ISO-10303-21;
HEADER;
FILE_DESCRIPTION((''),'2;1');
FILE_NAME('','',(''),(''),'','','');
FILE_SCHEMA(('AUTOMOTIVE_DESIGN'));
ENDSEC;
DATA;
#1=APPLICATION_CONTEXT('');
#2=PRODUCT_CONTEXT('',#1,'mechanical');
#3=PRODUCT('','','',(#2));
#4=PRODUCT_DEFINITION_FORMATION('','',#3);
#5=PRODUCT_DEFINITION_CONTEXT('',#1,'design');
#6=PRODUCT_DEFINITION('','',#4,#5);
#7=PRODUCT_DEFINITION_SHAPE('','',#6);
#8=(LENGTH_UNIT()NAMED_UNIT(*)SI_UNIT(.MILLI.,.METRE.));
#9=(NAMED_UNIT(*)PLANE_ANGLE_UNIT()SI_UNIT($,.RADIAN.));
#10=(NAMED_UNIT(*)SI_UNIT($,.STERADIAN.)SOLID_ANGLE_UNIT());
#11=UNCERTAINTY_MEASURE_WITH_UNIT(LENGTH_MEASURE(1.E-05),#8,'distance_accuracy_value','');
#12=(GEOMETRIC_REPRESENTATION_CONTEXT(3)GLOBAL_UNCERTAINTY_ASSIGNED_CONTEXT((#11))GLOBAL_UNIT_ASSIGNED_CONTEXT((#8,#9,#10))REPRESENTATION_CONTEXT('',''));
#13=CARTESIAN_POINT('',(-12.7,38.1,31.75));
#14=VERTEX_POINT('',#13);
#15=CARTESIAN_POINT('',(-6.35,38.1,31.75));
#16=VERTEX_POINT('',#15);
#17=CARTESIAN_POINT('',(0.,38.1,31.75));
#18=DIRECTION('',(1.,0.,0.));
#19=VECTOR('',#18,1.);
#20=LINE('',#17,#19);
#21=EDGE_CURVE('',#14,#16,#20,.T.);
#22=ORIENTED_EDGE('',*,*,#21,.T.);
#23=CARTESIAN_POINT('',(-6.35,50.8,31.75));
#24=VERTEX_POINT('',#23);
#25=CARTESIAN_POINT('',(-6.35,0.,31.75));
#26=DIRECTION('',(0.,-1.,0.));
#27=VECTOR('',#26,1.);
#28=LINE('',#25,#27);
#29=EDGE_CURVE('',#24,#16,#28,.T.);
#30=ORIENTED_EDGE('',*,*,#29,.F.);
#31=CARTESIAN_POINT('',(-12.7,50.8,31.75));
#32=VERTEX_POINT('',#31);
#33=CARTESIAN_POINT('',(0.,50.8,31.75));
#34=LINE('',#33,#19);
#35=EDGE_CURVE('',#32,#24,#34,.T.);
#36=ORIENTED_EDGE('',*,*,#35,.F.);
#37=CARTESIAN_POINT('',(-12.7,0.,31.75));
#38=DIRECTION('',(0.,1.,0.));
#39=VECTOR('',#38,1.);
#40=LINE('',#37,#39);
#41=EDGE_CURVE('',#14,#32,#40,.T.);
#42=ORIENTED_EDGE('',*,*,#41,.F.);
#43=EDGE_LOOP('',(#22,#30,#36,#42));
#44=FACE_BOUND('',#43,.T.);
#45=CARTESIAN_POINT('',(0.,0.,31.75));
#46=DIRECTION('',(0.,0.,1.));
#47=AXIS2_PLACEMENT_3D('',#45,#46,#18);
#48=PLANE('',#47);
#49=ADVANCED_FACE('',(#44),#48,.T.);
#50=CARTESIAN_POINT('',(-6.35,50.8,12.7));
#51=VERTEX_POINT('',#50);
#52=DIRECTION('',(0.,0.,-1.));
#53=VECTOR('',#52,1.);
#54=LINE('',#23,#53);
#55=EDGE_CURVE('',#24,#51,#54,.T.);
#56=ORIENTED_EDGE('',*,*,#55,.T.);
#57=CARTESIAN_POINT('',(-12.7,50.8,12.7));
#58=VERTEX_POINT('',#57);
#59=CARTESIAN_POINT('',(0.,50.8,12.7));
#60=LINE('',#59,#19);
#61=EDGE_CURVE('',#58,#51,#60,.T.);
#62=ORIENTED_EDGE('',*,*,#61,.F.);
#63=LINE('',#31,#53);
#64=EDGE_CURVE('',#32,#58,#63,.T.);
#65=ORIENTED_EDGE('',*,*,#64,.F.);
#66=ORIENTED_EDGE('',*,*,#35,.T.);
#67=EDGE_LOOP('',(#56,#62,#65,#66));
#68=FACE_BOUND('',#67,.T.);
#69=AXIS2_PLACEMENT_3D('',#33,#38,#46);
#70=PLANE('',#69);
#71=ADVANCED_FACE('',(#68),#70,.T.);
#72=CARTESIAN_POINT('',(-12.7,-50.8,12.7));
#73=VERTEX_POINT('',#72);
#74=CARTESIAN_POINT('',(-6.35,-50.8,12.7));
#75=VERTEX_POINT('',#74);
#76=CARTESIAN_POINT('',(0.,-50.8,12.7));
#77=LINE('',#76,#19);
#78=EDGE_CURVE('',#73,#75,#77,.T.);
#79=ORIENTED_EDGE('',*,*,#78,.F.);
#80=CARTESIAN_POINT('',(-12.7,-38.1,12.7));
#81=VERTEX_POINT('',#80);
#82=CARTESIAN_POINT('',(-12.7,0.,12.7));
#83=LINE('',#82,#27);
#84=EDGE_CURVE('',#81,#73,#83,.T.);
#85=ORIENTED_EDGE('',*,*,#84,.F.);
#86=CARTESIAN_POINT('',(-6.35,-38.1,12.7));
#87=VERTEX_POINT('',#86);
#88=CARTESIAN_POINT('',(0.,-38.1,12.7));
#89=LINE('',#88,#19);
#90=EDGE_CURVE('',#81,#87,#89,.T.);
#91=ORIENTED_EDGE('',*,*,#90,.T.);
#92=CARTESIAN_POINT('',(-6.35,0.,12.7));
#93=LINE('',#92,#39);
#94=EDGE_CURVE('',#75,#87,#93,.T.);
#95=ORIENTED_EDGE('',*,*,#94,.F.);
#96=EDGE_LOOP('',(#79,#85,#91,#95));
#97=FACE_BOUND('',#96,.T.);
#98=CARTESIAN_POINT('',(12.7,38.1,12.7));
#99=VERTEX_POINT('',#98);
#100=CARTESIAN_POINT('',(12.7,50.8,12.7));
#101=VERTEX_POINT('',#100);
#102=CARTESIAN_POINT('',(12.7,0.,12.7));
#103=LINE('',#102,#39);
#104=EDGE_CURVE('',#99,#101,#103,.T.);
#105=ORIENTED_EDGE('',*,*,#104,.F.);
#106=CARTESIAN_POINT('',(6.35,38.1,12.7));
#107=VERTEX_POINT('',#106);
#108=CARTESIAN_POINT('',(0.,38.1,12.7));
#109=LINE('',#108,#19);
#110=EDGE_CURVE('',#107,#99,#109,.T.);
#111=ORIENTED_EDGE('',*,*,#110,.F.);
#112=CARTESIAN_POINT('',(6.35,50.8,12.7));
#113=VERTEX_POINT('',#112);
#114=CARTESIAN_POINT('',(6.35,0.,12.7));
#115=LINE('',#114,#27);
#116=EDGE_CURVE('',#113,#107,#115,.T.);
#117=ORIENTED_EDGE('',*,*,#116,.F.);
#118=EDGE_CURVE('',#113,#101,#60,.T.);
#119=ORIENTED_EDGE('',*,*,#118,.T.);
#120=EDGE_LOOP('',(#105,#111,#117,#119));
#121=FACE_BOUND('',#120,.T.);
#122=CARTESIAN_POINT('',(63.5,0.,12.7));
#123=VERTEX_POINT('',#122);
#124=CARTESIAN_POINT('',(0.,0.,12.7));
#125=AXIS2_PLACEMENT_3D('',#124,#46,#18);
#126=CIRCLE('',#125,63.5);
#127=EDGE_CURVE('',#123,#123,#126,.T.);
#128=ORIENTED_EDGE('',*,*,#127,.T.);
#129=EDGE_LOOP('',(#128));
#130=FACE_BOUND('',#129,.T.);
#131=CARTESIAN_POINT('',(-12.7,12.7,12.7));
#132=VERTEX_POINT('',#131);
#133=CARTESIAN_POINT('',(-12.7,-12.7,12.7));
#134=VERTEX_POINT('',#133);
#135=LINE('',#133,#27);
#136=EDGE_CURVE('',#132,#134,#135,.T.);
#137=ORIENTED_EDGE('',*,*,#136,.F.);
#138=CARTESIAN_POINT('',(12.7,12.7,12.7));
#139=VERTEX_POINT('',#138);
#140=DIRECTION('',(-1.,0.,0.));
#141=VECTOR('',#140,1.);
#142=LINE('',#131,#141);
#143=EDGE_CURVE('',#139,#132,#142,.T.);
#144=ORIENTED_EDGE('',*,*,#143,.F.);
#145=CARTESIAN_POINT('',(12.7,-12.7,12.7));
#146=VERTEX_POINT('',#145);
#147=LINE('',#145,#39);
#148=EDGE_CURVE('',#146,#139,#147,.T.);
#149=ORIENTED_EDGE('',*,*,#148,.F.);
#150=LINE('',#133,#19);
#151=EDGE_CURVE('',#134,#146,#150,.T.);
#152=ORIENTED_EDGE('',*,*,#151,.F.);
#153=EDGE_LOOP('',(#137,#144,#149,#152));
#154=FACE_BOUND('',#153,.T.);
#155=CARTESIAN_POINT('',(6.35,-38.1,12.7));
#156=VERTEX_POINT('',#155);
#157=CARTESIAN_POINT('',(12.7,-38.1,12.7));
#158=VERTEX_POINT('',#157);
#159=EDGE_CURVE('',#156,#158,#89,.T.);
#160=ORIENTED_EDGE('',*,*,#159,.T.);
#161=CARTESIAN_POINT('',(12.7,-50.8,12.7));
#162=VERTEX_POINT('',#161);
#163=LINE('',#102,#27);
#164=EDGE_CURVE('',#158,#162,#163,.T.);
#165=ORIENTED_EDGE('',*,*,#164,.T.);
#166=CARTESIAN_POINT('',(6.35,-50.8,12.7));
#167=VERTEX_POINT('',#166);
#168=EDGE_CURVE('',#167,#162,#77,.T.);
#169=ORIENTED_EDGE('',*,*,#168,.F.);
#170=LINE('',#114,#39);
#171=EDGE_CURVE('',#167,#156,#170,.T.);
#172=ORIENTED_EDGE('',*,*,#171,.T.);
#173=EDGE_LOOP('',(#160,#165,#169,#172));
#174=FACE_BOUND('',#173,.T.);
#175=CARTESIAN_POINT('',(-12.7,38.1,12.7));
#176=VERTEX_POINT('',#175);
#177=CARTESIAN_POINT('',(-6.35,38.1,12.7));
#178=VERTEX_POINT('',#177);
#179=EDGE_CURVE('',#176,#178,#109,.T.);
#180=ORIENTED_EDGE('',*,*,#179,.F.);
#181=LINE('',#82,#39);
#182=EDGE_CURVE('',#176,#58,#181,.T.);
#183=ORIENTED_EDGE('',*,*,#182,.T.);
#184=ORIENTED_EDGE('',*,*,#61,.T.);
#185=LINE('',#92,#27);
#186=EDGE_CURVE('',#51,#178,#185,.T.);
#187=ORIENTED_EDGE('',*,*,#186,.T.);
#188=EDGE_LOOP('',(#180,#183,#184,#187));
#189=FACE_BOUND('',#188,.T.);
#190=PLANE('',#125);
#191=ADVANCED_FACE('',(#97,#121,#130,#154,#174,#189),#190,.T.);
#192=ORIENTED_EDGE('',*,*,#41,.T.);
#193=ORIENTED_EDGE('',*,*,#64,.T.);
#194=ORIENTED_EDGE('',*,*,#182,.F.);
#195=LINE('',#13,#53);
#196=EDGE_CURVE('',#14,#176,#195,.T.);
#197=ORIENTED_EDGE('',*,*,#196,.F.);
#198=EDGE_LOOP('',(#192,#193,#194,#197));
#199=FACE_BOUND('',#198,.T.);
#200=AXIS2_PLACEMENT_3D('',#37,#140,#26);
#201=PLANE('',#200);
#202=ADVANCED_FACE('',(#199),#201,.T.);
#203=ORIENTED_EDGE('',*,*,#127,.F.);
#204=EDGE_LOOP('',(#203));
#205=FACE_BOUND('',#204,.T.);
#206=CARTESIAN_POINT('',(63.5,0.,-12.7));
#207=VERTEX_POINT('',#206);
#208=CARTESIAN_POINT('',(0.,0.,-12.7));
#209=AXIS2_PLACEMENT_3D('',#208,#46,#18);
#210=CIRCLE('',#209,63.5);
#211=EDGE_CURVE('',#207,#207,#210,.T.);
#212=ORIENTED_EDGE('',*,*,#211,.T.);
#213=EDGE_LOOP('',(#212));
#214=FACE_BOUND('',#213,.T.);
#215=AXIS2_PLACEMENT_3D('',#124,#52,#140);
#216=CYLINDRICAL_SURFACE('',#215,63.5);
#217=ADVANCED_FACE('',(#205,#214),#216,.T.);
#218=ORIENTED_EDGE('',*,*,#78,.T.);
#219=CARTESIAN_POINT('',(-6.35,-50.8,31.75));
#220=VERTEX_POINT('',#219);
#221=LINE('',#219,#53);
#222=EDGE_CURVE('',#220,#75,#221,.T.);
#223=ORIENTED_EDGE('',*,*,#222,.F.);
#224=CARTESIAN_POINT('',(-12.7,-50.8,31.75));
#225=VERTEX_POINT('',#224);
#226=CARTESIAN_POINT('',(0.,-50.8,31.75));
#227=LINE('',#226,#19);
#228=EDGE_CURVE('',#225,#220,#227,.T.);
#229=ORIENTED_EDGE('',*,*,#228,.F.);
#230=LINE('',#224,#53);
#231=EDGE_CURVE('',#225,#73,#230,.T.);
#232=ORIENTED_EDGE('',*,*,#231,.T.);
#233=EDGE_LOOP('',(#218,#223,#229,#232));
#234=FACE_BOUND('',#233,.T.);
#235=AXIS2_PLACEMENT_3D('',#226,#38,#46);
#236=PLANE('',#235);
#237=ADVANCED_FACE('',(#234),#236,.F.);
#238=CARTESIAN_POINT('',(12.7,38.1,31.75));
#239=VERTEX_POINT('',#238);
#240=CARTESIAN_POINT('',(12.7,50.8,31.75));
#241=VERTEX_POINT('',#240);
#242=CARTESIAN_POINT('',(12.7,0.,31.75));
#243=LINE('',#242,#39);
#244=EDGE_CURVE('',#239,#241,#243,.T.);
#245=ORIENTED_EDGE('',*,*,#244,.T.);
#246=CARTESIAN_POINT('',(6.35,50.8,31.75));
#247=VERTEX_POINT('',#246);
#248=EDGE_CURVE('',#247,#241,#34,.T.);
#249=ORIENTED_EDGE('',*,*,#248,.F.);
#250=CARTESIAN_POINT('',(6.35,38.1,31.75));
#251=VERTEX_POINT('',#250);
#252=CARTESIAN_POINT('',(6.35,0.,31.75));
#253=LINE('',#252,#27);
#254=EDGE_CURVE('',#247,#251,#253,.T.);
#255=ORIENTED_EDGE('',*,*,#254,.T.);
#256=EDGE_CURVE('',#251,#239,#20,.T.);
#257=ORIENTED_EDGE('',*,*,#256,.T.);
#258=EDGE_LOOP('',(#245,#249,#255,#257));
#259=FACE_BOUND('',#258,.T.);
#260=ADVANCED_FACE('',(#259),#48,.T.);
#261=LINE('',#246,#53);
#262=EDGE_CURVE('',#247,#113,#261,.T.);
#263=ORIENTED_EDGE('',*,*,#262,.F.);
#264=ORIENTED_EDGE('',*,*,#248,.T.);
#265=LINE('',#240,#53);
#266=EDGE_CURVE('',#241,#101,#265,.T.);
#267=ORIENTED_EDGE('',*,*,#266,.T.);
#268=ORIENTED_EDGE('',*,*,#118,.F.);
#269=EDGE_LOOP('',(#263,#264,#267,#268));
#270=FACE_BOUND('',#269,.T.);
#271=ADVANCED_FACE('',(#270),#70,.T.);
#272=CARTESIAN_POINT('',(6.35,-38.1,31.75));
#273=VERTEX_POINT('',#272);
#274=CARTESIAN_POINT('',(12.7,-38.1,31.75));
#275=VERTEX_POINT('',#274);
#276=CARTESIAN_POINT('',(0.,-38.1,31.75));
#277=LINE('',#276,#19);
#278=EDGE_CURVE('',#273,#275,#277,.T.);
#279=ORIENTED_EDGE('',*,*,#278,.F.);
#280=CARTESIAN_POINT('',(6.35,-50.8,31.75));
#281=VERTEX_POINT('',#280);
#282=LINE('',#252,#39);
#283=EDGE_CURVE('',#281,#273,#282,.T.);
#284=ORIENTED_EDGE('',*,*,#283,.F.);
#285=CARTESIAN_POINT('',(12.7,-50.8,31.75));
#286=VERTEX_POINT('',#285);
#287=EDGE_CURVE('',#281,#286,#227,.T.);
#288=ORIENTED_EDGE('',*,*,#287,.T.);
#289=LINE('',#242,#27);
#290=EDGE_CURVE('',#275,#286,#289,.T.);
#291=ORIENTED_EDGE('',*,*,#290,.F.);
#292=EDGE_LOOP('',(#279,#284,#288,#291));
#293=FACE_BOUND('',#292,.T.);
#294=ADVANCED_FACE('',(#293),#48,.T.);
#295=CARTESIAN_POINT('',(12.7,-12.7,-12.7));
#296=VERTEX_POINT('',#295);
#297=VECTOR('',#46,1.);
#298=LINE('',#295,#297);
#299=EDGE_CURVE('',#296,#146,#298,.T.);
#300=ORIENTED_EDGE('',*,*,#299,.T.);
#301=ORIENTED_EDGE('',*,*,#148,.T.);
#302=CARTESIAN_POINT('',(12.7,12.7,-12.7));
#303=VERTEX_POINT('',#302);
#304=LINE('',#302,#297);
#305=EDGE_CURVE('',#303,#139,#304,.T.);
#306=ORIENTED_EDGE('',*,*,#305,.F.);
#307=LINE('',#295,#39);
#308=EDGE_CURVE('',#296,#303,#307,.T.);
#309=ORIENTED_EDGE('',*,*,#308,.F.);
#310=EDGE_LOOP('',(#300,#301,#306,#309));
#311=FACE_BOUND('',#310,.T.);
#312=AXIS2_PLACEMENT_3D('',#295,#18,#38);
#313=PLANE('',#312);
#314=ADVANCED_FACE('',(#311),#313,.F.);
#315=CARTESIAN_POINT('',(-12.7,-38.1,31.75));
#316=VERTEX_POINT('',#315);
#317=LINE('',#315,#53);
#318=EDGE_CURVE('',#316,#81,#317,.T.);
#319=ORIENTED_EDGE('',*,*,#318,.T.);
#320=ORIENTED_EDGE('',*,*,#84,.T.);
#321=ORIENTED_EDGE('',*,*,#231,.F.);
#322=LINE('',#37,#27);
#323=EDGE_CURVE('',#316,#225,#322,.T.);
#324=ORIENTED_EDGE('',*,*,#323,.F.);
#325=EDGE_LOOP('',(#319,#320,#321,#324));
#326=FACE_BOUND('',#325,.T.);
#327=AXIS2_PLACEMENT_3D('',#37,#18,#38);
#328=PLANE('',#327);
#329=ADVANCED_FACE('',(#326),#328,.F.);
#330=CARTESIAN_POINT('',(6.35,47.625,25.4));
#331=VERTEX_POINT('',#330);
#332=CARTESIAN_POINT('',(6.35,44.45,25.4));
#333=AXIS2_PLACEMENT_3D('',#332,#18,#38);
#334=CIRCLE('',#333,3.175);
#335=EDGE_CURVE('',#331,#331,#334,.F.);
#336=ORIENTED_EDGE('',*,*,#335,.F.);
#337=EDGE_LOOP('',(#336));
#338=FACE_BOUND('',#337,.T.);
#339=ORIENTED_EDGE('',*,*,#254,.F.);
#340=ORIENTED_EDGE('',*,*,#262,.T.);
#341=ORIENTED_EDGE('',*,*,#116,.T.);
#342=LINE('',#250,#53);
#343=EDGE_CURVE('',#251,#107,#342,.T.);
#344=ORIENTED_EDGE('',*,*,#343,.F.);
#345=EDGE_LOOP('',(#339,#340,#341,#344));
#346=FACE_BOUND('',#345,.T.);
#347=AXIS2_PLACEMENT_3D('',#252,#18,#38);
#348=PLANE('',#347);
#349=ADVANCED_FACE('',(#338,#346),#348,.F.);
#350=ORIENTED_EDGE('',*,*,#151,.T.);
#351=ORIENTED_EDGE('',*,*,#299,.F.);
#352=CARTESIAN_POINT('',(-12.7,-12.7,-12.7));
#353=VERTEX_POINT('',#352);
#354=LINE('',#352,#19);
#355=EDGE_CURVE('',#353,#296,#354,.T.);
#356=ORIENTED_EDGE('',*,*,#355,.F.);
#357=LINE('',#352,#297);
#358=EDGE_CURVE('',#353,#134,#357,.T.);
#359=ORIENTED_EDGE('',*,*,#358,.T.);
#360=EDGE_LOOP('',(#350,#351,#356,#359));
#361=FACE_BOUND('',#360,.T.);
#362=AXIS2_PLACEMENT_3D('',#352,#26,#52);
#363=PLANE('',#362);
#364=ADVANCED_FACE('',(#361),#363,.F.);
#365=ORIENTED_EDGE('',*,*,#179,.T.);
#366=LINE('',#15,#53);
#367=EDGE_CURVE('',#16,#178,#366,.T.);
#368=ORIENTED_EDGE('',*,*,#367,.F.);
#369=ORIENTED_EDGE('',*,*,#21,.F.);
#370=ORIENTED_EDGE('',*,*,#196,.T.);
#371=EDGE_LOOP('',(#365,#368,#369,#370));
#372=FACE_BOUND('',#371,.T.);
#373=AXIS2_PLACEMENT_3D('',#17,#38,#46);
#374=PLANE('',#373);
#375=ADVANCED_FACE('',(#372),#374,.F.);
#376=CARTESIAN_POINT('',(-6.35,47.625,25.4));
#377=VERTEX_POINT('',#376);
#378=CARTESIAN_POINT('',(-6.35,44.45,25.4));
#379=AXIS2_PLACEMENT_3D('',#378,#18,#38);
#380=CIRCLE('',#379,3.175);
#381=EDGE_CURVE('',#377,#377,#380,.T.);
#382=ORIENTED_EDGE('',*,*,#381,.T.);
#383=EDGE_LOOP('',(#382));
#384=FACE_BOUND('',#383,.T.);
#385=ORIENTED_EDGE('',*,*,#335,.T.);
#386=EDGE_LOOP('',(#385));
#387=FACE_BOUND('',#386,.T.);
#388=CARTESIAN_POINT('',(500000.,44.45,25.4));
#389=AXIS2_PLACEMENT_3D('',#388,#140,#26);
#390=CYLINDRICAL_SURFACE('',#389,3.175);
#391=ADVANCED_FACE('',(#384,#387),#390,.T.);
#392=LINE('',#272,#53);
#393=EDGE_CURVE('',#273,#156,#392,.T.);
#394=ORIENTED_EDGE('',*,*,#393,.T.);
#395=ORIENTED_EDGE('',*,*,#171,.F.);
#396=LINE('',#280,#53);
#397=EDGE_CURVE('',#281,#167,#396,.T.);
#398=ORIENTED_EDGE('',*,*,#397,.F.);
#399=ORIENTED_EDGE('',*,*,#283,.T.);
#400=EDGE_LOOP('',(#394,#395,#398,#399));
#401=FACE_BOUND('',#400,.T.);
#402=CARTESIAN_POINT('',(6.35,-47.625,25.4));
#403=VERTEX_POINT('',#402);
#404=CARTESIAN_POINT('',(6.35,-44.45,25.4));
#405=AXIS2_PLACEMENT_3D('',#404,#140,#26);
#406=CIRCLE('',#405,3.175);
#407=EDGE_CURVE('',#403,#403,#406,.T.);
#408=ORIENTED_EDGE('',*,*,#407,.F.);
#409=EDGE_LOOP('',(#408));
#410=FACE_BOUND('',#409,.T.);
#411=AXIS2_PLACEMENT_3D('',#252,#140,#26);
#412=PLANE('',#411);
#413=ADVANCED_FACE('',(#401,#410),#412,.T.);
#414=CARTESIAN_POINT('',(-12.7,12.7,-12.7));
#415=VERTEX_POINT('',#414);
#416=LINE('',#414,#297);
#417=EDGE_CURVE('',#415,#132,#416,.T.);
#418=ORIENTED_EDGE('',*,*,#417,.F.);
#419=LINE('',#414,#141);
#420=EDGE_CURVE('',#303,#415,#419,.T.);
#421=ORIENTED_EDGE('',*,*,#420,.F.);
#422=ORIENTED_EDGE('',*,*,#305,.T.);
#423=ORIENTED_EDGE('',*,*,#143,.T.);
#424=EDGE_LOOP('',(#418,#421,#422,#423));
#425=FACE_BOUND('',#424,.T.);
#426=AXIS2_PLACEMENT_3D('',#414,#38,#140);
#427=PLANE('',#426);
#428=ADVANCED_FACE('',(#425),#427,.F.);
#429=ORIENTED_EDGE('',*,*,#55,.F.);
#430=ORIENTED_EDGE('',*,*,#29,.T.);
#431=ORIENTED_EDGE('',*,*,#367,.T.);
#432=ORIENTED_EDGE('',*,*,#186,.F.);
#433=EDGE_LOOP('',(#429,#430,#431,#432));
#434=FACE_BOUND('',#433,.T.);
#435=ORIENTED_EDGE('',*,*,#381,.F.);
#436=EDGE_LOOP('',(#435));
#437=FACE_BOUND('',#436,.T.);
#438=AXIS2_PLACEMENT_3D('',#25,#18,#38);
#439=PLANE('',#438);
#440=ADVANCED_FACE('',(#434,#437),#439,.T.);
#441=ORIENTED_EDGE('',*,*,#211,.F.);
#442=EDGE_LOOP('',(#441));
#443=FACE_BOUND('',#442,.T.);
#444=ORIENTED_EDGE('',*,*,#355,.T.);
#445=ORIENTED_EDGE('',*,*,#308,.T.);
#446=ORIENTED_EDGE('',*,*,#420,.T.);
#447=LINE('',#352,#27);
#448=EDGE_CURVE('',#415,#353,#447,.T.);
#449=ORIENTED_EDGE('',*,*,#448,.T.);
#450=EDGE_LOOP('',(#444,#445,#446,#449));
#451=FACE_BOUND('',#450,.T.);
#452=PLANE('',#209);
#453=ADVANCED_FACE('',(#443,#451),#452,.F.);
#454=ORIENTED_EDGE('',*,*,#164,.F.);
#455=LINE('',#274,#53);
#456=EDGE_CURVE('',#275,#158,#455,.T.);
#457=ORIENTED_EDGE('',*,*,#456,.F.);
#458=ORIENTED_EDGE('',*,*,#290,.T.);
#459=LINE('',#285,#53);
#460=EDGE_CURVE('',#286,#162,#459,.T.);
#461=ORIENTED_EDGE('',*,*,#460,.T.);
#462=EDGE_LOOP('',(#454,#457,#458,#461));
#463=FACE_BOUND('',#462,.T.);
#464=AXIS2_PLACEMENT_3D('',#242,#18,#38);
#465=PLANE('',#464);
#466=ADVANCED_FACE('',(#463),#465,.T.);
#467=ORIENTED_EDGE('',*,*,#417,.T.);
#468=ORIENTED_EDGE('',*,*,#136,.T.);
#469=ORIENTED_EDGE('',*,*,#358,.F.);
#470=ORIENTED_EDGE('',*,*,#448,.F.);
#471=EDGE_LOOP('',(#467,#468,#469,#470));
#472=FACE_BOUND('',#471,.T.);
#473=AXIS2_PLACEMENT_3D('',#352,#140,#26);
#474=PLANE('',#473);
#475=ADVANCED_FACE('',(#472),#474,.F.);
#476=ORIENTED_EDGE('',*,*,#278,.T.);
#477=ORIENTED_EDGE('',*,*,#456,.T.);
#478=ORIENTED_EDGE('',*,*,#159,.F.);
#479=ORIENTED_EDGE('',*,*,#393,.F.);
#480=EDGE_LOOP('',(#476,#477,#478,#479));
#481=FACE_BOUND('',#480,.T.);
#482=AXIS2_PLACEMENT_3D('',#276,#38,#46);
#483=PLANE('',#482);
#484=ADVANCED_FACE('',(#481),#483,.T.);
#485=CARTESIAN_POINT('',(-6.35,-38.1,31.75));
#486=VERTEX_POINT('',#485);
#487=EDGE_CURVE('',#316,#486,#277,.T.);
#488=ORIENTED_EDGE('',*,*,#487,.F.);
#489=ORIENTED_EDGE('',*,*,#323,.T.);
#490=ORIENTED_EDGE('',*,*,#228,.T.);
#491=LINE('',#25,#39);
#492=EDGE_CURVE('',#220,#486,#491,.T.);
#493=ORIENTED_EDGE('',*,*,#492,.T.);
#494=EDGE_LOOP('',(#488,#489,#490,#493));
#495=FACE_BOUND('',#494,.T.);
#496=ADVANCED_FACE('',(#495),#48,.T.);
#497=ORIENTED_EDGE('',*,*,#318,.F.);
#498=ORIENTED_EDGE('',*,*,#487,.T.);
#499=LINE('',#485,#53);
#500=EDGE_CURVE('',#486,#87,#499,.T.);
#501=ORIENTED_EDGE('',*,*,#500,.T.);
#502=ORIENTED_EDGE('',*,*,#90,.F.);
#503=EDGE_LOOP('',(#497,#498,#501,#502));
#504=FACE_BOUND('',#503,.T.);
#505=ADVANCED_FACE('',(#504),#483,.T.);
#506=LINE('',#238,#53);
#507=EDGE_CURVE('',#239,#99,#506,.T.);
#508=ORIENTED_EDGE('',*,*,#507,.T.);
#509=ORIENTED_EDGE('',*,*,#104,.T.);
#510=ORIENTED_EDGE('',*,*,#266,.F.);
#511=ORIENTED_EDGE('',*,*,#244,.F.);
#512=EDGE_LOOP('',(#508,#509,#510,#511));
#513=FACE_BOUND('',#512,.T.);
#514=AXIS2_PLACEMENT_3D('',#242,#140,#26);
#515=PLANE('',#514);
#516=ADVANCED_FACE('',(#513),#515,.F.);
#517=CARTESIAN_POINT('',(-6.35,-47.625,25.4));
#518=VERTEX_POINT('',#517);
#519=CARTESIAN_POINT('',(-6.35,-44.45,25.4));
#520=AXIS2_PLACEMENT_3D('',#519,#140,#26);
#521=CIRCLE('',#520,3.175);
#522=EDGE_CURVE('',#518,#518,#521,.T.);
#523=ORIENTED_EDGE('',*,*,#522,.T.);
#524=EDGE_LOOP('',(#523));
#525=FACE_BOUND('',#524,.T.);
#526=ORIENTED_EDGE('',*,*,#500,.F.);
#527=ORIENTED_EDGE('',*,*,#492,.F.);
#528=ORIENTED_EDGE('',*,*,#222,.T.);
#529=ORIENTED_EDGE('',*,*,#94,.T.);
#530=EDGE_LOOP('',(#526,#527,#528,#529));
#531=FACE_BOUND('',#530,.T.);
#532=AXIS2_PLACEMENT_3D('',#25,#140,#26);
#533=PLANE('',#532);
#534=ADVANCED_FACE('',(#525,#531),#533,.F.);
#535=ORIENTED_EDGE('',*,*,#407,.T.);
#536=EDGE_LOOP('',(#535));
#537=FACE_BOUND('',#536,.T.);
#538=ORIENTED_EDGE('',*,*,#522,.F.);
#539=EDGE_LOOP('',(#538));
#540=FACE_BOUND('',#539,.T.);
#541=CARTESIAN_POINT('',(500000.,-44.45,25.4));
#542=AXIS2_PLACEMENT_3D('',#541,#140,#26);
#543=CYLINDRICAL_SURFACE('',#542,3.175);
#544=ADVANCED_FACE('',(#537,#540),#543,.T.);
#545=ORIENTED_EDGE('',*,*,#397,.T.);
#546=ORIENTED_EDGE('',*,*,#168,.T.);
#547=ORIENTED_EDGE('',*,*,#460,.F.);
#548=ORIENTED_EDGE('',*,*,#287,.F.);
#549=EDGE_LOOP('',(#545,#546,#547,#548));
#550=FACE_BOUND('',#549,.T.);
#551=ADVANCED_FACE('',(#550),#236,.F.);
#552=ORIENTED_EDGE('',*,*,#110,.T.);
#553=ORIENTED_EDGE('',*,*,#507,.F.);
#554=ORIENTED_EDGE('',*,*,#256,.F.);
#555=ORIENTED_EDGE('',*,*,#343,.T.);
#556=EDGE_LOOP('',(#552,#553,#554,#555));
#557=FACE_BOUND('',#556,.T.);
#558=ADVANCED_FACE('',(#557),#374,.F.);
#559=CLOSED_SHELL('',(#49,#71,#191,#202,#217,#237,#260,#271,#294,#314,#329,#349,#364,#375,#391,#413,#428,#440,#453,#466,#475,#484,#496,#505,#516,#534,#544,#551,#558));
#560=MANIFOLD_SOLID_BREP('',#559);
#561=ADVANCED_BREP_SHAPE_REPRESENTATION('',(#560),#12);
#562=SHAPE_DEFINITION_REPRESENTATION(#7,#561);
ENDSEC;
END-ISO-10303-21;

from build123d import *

# Parameters (mm, degrees)
SKETCH1_R           = 63.5
BOSS_EXTRUDE1_DEPTH = 12.7
SKETCH3_W           = 6.35
SKETCH3_H           = 12.7
BOSS_EXTRUDE2_DEPTH = 19.05
SKETCH4_R           = 3.175
BOSS_EXTRUDE3_DEPTH = 12.7
SKETCH5_W           = 25.4
SKETCH5_H           = 25.4
CUT_EXTRUDE1_DEPTH  = 26.4


with BuildPart() as part:
    # Sketch1 → Boss-Extrude1 (new body, symmetric)
    with BuildSketch(Plane.XY):
        Circle(SKETCH1_R)
    extrude(amount=BOSS_EXTRUDE1_DEPTH, both=True)

    # Sketch3 → Boss-Extrude2 (add)
    with BuildSketch(Plane.XY.offset(12.7)):
        with Locations((-9.525, 44.45)):
            Rectangle(SKETCH3_W, SKETCH3_H)
        with Locations((9.525, 44.45)):
            Rectangle(SKETCH3_W, SKETCH3_H)
    boss_extrude2 = extrude(amount=BOSS_EXTRUDE2_DEPTH)

    # Sketch4 → Boss-Extrude3 (add)
    with BuildSketch(Plane(origin=(-6.35, 0, 0), x_dir=(0, 0, -1), z_dir=(1, 0, 0))):
        with Locations((-25.4, 44.45)):
            Circle(SKETCH4_R)
    boss_extrude3 = extrude(amount=BOSS_EXTRUDE3_DEPTH)

    # Mirror1: Boss-Extrude2, Boss-Extrude3 across plane
    add(boss_extrude2.mirror(Plane.ZX))
    add(boss_extrude3.mirror(Plane.ZX))

    # Sketch5 → Cut-Extrude1 (cut, through all)
    with BuildSketch(Plane.XY.offset(12.7)):
        Rectangle(SKETCH5_W, SKETCH5_H)
    extrude(amount=-CUT_EXTRUDE1_DEPTH, mode=Mode.SUBTRACT)


solid = part.part
